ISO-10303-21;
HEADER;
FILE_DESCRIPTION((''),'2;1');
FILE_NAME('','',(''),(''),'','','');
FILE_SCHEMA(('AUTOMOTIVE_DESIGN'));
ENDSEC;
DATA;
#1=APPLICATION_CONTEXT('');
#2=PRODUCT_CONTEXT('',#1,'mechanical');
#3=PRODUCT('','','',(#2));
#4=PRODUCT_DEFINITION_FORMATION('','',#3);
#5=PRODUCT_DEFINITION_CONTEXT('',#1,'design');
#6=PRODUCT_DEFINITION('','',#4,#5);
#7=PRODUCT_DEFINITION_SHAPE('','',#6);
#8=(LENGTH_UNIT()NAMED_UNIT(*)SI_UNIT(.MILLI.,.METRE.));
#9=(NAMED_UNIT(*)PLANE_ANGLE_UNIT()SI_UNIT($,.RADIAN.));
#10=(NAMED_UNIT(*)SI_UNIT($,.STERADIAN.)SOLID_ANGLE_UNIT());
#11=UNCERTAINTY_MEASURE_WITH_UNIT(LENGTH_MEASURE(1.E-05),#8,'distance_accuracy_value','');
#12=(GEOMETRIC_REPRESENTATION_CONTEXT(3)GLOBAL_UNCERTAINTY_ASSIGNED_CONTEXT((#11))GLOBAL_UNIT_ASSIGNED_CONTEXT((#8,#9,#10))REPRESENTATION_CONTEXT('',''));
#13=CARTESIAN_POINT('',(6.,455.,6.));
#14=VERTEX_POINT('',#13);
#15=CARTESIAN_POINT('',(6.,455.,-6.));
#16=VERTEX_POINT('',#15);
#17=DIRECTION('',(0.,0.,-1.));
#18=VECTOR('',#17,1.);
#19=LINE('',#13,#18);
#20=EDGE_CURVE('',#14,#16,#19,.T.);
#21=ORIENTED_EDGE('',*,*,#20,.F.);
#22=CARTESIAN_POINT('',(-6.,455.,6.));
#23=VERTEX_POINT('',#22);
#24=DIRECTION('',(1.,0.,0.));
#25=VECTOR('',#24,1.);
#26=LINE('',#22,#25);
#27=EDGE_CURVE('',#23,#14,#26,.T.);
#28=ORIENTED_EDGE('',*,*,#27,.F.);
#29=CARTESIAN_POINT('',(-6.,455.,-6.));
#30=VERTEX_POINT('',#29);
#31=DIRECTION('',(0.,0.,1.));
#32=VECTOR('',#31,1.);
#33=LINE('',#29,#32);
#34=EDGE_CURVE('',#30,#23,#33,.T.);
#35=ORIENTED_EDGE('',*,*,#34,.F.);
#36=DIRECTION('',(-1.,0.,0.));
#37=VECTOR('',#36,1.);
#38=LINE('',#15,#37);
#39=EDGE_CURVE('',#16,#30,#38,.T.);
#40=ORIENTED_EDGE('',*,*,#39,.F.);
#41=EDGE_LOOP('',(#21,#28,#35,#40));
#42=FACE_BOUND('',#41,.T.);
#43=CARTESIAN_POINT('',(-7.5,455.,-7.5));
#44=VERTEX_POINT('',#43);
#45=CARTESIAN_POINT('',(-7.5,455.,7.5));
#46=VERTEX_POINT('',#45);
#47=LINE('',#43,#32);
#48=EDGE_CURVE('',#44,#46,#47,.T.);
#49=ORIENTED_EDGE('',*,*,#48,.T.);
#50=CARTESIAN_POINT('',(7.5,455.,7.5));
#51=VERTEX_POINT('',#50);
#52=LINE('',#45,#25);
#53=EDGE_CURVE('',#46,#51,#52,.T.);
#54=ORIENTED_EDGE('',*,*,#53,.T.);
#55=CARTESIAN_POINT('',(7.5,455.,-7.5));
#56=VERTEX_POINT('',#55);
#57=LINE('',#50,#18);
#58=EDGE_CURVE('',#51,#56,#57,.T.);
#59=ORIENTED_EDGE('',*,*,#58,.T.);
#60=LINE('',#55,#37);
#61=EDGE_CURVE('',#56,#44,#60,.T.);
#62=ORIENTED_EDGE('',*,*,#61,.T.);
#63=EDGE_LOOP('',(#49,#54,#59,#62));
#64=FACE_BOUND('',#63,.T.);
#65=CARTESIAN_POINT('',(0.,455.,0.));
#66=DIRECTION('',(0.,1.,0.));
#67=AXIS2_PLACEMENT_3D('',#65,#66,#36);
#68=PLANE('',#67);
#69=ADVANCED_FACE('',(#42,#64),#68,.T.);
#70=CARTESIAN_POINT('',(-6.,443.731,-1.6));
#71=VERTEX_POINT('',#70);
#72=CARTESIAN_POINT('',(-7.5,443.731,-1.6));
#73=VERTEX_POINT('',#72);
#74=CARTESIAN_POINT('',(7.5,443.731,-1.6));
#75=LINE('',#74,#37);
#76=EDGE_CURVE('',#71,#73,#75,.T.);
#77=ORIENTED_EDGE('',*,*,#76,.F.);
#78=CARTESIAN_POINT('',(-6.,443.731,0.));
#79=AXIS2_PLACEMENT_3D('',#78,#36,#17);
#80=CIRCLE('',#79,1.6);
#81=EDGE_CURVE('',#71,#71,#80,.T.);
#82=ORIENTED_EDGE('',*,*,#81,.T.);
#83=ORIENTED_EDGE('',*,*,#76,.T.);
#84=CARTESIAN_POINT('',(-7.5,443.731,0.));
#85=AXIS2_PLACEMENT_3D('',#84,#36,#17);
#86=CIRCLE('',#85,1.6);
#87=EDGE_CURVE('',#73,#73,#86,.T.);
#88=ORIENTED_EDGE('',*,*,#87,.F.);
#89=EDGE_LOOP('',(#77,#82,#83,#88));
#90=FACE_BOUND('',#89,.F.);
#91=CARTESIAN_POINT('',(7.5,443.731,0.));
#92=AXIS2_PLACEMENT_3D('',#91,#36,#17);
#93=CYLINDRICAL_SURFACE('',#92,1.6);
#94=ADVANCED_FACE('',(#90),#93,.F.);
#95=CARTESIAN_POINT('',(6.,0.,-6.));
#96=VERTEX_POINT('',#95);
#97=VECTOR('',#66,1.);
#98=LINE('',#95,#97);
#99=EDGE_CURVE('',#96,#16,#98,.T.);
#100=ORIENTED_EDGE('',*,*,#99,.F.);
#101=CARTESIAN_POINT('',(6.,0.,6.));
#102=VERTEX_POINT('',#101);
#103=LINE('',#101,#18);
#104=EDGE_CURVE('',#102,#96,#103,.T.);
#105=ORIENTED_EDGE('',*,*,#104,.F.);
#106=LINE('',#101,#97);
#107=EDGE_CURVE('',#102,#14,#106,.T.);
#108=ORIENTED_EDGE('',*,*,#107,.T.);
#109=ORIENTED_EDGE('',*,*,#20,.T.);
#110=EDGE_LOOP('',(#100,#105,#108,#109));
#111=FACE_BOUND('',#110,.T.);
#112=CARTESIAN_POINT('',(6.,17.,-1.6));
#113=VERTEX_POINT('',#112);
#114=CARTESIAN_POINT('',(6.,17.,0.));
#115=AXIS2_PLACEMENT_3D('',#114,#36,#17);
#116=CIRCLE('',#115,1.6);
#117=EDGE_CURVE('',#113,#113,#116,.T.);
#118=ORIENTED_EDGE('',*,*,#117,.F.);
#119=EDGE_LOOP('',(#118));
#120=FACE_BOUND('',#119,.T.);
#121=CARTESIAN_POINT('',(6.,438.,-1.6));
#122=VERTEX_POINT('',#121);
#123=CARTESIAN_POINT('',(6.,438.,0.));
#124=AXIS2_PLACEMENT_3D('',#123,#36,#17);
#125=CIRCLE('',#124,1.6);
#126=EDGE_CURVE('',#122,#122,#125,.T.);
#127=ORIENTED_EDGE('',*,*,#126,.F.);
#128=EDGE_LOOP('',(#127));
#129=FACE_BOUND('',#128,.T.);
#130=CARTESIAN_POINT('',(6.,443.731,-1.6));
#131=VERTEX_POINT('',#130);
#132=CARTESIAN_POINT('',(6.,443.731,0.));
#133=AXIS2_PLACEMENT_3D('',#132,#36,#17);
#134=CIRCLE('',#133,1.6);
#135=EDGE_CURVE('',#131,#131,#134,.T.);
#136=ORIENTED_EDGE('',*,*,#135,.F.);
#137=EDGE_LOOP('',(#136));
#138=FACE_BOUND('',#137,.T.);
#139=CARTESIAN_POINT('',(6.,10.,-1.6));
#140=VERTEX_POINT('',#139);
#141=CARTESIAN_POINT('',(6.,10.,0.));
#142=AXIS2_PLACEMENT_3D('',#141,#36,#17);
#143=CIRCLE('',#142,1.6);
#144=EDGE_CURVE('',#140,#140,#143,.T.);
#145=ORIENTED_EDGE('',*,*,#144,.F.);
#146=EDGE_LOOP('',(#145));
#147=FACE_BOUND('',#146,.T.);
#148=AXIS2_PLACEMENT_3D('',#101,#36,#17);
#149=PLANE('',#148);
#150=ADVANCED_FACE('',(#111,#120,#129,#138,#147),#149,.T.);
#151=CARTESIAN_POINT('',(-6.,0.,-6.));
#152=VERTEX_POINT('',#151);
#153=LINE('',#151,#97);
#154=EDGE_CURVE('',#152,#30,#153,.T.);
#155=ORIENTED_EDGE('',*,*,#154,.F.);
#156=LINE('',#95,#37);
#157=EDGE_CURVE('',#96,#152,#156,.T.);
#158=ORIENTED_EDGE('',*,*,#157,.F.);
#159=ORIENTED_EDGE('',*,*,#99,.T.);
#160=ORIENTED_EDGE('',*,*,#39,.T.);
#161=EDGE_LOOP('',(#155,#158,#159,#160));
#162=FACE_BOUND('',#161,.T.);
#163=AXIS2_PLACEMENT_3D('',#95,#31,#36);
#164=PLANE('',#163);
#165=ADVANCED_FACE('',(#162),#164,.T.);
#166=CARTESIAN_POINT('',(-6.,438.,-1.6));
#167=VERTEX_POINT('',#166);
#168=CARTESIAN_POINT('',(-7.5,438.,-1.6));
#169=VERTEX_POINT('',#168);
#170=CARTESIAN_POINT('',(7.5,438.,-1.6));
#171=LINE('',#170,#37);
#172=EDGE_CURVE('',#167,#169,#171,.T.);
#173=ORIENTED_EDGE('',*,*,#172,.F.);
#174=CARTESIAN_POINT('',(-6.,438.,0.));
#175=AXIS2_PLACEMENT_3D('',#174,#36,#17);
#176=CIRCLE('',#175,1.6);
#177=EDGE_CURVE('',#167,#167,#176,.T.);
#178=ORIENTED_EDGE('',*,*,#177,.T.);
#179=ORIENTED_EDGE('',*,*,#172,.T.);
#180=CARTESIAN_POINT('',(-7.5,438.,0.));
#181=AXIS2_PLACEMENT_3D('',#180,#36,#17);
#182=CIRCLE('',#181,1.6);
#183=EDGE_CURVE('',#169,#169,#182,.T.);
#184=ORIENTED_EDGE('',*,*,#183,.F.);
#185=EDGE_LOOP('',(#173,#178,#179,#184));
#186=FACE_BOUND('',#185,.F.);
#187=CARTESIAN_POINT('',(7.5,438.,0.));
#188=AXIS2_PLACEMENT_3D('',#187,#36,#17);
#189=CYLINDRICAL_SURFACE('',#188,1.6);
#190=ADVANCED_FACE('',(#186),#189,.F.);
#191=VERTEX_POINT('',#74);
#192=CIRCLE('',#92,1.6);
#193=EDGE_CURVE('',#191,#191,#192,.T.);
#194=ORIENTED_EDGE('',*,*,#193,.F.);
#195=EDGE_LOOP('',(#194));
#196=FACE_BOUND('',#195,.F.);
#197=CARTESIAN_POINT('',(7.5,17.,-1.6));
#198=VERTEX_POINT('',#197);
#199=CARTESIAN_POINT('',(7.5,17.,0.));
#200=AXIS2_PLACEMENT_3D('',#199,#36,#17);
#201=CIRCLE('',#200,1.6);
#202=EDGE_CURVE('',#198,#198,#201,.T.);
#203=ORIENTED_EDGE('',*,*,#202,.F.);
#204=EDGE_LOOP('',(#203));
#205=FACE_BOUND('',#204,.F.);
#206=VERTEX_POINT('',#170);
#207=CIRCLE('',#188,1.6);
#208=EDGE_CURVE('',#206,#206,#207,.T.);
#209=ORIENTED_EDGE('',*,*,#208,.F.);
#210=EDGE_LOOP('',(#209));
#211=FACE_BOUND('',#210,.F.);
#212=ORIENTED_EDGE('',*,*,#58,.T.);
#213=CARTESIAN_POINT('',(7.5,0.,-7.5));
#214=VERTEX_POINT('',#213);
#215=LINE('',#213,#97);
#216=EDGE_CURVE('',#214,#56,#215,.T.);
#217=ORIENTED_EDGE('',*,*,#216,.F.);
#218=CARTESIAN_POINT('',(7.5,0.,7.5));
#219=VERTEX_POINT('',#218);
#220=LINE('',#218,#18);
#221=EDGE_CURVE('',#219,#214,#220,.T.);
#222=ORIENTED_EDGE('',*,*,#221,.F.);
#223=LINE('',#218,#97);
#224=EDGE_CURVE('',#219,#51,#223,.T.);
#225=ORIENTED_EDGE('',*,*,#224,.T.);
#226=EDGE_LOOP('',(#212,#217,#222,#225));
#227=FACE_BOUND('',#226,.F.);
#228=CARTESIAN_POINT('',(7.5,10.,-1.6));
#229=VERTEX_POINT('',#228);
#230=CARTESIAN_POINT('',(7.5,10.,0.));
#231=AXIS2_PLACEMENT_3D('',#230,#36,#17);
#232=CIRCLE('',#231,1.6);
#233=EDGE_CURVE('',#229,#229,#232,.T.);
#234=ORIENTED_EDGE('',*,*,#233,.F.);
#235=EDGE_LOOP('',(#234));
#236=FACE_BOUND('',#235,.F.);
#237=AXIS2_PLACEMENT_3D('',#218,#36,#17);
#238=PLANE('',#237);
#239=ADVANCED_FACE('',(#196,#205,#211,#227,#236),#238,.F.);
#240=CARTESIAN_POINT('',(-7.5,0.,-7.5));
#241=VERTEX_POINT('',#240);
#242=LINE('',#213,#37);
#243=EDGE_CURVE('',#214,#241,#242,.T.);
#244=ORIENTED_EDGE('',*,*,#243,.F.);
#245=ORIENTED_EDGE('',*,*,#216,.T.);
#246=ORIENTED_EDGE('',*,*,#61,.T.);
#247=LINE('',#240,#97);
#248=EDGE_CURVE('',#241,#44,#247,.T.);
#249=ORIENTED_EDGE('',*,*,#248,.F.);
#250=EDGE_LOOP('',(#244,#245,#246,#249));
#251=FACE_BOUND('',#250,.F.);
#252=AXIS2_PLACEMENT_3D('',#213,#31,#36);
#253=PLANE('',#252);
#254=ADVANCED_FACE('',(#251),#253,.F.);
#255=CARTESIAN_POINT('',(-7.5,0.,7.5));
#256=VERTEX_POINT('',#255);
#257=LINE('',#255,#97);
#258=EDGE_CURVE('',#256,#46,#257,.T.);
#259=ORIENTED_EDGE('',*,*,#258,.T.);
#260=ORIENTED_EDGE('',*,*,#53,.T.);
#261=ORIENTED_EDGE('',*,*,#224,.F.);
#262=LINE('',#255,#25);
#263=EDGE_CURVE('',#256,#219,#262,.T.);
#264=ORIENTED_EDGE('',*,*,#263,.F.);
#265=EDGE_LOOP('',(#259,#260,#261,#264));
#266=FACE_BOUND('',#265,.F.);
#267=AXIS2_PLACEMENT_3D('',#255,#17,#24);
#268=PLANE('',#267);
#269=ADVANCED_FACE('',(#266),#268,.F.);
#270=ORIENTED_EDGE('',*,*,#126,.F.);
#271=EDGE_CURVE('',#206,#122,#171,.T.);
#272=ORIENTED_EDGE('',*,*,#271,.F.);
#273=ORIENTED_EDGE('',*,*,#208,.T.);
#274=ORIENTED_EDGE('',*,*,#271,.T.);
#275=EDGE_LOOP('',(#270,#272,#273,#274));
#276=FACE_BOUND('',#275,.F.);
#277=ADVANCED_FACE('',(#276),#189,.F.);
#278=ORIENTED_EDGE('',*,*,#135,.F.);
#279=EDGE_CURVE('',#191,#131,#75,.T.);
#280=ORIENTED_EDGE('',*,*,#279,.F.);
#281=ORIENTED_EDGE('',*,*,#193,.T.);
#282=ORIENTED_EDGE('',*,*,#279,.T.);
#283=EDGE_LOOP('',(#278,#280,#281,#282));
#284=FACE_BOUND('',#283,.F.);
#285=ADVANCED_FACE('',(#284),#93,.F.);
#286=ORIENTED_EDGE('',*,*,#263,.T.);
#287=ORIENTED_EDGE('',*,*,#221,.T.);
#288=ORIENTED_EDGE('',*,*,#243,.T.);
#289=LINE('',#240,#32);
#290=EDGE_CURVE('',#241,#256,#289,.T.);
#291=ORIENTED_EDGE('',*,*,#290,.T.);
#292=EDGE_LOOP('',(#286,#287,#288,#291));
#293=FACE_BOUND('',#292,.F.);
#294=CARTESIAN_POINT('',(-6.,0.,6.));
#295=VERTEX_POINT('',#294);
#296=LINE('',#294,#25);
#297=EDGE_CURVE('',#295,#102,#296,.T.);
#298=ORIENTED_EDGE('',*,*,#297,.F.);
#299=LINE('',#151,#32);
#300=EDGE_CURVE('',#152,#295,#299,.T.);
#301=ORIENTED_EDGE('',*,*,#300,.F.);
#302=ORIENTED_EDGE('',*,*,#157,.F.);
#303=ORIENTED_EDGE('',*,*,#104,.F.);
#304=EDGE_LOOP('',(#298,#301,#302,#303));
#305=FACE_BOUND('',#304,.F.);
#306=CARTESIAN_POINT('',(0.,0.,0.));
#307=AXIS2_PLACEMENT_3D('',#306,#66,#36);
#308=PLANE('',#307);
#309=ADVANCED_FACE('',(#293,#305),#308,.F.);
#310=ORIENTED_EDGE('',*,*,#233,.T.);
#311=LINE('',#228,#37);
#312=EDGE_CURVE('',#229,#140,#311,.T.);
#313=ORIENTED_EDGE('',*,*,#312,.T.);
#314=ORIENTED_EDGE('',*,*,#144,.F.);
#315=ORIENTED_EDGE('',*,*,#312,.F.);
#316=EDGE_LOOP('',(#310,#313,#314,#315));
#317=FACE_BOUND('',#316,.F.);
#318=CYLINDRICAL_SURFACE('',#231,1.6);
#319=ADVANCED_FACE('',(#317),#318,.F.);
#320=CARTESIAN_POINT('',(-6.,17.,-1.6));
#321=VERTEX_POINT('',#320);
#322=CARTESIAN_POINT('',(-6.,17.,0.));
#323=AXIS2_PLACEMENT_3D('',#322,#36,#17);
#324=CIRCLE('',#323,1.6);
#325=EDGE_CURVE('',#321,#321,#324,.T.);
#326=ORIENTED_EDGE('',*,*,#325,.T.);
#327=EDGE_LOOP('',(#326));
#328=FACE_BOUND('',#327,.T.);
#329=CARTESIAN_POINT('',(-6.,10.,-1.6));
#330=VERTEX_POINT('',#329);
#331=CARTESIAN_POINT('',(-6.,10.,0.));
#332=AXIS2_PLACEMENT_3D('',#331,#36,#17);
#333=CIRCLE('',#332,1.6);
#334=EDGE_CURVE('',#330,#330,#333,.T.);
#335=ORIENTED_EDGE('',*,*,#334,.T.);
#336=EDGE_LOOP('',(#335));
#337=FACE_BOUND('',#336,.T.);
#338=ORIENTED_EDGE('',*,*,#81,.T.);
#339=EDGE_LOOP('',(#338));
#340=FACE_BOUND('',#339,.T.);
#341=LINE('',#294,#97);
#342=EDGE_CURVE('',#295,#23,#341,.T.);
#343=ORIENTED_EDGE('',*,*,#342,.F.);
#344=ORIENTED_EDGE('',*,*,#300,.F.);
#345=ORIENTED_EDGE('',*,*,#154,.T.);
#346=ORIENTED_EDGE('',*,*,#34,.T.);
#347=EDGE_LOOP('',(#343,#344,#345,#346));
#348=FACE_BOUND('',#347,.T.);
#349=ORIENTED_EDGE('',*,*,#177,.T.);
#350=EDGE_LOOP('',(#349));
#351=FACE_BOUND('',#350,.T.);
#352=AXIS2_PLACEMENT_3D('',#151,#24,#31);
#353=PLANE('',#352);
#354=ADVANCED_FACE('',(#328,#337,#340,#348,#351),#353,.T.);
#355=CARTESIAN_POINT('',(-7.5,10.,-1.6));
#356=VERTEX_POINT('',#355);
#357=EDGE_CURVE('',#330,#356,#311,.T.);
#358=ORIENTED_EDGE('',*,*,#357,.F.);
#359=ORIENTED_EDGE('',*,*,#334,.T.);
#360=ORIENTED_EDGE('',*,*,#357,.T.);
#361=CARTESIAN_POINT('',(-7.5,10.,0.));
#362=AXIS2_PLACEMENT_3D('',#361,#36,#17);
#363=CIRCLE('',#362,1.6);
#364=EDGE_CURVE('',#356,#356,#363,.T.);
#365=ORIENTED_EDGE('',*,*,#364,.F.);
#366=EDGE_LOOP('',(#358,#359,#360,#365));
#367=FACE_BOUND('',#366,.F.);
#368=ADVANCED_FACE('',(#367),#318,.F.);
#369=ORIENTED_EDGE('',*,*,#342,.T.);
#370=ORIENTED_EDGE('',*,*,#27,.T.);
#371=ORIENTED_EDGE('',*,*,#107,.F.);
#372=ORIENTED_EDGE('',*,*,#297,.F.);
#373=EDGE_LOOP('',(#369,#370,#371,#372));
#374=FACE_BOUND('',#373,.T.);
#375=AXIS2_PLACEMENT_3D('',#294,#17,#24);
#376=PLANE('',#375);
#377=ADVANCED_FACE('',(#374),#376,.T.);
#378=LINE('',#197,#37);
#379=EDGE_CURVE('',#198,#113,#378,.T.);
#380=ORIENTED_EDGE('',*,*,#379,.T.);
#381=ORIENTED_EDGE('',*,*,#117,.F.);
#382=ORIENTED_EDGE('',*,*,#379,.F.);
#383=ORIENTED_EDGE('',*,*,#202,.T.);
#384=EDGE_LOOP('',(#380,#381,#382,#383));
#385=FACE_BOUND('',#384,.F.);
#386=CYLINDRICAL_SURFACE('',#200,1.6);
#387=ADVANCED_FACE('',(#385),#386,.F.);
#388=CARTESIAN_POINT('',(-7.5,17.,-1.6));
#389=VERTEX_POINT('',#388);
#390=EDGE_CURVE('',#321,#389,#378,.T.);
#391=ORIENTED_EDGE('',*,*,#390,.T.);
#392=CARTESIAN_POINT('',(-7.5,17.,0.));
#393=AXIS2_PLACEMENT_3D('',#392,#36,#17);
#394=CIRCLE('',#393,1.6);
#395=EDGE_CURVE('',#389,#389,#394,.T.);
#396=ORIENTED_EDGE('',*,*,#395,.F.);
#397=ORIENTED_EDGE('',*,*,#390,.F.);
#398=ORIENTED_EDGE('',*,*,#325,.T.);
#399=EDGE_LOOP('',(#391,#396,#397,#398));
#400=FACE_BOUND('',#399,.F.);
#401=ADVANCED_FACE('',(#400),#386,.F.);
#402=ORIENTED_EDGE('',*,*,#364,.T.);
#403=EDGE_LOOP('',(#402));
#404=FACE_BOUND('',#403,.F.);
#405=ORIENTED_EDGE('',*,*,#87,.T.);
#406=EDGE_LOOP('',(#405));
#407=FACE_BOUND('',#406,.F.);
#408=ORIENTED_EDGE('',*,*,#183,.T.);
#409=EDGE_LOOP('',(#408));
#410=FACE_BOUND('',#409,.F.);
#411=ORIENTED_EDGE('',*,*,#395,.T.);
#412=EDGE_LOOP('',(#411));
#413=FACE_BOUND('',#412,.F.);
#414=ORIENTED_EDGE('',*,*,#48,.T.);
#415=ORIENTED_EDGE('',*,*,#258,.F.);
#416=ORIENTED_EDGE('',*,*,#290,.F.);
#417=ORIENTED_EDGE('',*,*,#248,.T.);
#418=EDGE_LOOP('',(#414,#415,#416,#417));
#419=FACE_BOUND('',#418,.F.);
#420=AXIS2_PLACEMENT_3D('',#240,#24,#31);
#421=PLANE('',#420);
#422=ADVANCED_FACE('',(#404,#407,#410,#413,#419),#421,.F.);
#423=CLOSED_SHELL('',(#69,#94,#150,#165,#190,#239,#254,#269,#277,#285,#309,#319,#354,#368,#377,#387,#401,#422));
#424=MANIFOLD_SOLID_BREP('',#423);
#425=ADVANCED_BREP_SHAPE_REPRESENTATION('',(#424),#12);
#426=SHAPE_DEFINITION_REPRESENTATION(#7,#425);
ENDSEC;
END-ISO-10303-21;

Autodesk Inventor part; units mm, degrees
ref_plane "YZ Plane" through (0, 0, 0) normal (1, 0, 0) x (0, 1, 0)
ref_plane "XZ Plane" through (0, 0, 0) normal (0, 1, 0) x (-1, 0, 0)
ref_plane "XY Plane" through (0, 0, 0) normal (0, 0, 1) x (1, 0, 0)
sketch "Sketch1" plane through (0, 0, 0) normal (0, 1, 0) x (-1, 0, 0)
  line L0 (7.5, 7.5) -> (-7.5, 7.5)
  line L1 (-7.5, 7.5) -> (-7.5, -7.5)
  line L2 (-7.5, -7.5) -> (7.5, -7.5)
  line L3 (7.5, -7.5) -> (7.5, 7.5)
  line L4 (7.5, 7.5) -> (-7.5, -7.5) construction
  line L5 (-7.5, 7.5) -> (7.5, -7.5) construction
  line L6 (6, 6) -> (-6, 6)
  line L7 (-6, 6) -> (-6, -6)
  line L8 (-6, -6) -> (6, -6)
  line L9 (6, -6) -> (6, 6)
  line L10 (6, 6) -> (-6, -6) construction
  line L11 (-6, 6) -> (6, -6) construction
  point P0 (0, 0)
  dimension "d0" = 15
  dimension "d1" = 15
  dimension "d2" = 12
  dimension "d3" = 12
extrude "Extrusion1" add sketch "Sketch1" along normal blind 455
sketch "Sketch2" plane through (7.5, 0, 7.5) normal (1, 0, 0) x (0, 0, -1)
  line L0 (0, 0) -> (15, 0) projected
  line L1 (0, 455) -> (15, 455) projected
  line L2 (0, 0) -> (0, 455) projected
  point P0 (7.5, 0)
  point P1 (7.5, 10)
  point P2 (7.5, 445)
  point P3 (7.5, 227.5)
  point P4 (7.5, 0)
  point P5 (7.5, 455)
  point P6 (7.5, 438)
  point P7 (7.5, 17)
  point P8 (7.5, 443.731)
  dimension "d6" = 10
  dimension "d8" = 227.5
  dimension "d9" = 455
  dimension "d10" = 210.5
  dimension "d11" = 210.5
  dimension "d19" = 433.731
  dimension "d20" = 7.5
hole "Hole1" at (7.5, 10, 0) at (7.5, 438, 0) at (7.5, 17, 0) at (7.5, 443.731, 0) direction (-1, 0, 0) diameter 3.2 depth 80.45
equation "\"d8\" = 0.5 * d9"
properties part number "15x15x455"
